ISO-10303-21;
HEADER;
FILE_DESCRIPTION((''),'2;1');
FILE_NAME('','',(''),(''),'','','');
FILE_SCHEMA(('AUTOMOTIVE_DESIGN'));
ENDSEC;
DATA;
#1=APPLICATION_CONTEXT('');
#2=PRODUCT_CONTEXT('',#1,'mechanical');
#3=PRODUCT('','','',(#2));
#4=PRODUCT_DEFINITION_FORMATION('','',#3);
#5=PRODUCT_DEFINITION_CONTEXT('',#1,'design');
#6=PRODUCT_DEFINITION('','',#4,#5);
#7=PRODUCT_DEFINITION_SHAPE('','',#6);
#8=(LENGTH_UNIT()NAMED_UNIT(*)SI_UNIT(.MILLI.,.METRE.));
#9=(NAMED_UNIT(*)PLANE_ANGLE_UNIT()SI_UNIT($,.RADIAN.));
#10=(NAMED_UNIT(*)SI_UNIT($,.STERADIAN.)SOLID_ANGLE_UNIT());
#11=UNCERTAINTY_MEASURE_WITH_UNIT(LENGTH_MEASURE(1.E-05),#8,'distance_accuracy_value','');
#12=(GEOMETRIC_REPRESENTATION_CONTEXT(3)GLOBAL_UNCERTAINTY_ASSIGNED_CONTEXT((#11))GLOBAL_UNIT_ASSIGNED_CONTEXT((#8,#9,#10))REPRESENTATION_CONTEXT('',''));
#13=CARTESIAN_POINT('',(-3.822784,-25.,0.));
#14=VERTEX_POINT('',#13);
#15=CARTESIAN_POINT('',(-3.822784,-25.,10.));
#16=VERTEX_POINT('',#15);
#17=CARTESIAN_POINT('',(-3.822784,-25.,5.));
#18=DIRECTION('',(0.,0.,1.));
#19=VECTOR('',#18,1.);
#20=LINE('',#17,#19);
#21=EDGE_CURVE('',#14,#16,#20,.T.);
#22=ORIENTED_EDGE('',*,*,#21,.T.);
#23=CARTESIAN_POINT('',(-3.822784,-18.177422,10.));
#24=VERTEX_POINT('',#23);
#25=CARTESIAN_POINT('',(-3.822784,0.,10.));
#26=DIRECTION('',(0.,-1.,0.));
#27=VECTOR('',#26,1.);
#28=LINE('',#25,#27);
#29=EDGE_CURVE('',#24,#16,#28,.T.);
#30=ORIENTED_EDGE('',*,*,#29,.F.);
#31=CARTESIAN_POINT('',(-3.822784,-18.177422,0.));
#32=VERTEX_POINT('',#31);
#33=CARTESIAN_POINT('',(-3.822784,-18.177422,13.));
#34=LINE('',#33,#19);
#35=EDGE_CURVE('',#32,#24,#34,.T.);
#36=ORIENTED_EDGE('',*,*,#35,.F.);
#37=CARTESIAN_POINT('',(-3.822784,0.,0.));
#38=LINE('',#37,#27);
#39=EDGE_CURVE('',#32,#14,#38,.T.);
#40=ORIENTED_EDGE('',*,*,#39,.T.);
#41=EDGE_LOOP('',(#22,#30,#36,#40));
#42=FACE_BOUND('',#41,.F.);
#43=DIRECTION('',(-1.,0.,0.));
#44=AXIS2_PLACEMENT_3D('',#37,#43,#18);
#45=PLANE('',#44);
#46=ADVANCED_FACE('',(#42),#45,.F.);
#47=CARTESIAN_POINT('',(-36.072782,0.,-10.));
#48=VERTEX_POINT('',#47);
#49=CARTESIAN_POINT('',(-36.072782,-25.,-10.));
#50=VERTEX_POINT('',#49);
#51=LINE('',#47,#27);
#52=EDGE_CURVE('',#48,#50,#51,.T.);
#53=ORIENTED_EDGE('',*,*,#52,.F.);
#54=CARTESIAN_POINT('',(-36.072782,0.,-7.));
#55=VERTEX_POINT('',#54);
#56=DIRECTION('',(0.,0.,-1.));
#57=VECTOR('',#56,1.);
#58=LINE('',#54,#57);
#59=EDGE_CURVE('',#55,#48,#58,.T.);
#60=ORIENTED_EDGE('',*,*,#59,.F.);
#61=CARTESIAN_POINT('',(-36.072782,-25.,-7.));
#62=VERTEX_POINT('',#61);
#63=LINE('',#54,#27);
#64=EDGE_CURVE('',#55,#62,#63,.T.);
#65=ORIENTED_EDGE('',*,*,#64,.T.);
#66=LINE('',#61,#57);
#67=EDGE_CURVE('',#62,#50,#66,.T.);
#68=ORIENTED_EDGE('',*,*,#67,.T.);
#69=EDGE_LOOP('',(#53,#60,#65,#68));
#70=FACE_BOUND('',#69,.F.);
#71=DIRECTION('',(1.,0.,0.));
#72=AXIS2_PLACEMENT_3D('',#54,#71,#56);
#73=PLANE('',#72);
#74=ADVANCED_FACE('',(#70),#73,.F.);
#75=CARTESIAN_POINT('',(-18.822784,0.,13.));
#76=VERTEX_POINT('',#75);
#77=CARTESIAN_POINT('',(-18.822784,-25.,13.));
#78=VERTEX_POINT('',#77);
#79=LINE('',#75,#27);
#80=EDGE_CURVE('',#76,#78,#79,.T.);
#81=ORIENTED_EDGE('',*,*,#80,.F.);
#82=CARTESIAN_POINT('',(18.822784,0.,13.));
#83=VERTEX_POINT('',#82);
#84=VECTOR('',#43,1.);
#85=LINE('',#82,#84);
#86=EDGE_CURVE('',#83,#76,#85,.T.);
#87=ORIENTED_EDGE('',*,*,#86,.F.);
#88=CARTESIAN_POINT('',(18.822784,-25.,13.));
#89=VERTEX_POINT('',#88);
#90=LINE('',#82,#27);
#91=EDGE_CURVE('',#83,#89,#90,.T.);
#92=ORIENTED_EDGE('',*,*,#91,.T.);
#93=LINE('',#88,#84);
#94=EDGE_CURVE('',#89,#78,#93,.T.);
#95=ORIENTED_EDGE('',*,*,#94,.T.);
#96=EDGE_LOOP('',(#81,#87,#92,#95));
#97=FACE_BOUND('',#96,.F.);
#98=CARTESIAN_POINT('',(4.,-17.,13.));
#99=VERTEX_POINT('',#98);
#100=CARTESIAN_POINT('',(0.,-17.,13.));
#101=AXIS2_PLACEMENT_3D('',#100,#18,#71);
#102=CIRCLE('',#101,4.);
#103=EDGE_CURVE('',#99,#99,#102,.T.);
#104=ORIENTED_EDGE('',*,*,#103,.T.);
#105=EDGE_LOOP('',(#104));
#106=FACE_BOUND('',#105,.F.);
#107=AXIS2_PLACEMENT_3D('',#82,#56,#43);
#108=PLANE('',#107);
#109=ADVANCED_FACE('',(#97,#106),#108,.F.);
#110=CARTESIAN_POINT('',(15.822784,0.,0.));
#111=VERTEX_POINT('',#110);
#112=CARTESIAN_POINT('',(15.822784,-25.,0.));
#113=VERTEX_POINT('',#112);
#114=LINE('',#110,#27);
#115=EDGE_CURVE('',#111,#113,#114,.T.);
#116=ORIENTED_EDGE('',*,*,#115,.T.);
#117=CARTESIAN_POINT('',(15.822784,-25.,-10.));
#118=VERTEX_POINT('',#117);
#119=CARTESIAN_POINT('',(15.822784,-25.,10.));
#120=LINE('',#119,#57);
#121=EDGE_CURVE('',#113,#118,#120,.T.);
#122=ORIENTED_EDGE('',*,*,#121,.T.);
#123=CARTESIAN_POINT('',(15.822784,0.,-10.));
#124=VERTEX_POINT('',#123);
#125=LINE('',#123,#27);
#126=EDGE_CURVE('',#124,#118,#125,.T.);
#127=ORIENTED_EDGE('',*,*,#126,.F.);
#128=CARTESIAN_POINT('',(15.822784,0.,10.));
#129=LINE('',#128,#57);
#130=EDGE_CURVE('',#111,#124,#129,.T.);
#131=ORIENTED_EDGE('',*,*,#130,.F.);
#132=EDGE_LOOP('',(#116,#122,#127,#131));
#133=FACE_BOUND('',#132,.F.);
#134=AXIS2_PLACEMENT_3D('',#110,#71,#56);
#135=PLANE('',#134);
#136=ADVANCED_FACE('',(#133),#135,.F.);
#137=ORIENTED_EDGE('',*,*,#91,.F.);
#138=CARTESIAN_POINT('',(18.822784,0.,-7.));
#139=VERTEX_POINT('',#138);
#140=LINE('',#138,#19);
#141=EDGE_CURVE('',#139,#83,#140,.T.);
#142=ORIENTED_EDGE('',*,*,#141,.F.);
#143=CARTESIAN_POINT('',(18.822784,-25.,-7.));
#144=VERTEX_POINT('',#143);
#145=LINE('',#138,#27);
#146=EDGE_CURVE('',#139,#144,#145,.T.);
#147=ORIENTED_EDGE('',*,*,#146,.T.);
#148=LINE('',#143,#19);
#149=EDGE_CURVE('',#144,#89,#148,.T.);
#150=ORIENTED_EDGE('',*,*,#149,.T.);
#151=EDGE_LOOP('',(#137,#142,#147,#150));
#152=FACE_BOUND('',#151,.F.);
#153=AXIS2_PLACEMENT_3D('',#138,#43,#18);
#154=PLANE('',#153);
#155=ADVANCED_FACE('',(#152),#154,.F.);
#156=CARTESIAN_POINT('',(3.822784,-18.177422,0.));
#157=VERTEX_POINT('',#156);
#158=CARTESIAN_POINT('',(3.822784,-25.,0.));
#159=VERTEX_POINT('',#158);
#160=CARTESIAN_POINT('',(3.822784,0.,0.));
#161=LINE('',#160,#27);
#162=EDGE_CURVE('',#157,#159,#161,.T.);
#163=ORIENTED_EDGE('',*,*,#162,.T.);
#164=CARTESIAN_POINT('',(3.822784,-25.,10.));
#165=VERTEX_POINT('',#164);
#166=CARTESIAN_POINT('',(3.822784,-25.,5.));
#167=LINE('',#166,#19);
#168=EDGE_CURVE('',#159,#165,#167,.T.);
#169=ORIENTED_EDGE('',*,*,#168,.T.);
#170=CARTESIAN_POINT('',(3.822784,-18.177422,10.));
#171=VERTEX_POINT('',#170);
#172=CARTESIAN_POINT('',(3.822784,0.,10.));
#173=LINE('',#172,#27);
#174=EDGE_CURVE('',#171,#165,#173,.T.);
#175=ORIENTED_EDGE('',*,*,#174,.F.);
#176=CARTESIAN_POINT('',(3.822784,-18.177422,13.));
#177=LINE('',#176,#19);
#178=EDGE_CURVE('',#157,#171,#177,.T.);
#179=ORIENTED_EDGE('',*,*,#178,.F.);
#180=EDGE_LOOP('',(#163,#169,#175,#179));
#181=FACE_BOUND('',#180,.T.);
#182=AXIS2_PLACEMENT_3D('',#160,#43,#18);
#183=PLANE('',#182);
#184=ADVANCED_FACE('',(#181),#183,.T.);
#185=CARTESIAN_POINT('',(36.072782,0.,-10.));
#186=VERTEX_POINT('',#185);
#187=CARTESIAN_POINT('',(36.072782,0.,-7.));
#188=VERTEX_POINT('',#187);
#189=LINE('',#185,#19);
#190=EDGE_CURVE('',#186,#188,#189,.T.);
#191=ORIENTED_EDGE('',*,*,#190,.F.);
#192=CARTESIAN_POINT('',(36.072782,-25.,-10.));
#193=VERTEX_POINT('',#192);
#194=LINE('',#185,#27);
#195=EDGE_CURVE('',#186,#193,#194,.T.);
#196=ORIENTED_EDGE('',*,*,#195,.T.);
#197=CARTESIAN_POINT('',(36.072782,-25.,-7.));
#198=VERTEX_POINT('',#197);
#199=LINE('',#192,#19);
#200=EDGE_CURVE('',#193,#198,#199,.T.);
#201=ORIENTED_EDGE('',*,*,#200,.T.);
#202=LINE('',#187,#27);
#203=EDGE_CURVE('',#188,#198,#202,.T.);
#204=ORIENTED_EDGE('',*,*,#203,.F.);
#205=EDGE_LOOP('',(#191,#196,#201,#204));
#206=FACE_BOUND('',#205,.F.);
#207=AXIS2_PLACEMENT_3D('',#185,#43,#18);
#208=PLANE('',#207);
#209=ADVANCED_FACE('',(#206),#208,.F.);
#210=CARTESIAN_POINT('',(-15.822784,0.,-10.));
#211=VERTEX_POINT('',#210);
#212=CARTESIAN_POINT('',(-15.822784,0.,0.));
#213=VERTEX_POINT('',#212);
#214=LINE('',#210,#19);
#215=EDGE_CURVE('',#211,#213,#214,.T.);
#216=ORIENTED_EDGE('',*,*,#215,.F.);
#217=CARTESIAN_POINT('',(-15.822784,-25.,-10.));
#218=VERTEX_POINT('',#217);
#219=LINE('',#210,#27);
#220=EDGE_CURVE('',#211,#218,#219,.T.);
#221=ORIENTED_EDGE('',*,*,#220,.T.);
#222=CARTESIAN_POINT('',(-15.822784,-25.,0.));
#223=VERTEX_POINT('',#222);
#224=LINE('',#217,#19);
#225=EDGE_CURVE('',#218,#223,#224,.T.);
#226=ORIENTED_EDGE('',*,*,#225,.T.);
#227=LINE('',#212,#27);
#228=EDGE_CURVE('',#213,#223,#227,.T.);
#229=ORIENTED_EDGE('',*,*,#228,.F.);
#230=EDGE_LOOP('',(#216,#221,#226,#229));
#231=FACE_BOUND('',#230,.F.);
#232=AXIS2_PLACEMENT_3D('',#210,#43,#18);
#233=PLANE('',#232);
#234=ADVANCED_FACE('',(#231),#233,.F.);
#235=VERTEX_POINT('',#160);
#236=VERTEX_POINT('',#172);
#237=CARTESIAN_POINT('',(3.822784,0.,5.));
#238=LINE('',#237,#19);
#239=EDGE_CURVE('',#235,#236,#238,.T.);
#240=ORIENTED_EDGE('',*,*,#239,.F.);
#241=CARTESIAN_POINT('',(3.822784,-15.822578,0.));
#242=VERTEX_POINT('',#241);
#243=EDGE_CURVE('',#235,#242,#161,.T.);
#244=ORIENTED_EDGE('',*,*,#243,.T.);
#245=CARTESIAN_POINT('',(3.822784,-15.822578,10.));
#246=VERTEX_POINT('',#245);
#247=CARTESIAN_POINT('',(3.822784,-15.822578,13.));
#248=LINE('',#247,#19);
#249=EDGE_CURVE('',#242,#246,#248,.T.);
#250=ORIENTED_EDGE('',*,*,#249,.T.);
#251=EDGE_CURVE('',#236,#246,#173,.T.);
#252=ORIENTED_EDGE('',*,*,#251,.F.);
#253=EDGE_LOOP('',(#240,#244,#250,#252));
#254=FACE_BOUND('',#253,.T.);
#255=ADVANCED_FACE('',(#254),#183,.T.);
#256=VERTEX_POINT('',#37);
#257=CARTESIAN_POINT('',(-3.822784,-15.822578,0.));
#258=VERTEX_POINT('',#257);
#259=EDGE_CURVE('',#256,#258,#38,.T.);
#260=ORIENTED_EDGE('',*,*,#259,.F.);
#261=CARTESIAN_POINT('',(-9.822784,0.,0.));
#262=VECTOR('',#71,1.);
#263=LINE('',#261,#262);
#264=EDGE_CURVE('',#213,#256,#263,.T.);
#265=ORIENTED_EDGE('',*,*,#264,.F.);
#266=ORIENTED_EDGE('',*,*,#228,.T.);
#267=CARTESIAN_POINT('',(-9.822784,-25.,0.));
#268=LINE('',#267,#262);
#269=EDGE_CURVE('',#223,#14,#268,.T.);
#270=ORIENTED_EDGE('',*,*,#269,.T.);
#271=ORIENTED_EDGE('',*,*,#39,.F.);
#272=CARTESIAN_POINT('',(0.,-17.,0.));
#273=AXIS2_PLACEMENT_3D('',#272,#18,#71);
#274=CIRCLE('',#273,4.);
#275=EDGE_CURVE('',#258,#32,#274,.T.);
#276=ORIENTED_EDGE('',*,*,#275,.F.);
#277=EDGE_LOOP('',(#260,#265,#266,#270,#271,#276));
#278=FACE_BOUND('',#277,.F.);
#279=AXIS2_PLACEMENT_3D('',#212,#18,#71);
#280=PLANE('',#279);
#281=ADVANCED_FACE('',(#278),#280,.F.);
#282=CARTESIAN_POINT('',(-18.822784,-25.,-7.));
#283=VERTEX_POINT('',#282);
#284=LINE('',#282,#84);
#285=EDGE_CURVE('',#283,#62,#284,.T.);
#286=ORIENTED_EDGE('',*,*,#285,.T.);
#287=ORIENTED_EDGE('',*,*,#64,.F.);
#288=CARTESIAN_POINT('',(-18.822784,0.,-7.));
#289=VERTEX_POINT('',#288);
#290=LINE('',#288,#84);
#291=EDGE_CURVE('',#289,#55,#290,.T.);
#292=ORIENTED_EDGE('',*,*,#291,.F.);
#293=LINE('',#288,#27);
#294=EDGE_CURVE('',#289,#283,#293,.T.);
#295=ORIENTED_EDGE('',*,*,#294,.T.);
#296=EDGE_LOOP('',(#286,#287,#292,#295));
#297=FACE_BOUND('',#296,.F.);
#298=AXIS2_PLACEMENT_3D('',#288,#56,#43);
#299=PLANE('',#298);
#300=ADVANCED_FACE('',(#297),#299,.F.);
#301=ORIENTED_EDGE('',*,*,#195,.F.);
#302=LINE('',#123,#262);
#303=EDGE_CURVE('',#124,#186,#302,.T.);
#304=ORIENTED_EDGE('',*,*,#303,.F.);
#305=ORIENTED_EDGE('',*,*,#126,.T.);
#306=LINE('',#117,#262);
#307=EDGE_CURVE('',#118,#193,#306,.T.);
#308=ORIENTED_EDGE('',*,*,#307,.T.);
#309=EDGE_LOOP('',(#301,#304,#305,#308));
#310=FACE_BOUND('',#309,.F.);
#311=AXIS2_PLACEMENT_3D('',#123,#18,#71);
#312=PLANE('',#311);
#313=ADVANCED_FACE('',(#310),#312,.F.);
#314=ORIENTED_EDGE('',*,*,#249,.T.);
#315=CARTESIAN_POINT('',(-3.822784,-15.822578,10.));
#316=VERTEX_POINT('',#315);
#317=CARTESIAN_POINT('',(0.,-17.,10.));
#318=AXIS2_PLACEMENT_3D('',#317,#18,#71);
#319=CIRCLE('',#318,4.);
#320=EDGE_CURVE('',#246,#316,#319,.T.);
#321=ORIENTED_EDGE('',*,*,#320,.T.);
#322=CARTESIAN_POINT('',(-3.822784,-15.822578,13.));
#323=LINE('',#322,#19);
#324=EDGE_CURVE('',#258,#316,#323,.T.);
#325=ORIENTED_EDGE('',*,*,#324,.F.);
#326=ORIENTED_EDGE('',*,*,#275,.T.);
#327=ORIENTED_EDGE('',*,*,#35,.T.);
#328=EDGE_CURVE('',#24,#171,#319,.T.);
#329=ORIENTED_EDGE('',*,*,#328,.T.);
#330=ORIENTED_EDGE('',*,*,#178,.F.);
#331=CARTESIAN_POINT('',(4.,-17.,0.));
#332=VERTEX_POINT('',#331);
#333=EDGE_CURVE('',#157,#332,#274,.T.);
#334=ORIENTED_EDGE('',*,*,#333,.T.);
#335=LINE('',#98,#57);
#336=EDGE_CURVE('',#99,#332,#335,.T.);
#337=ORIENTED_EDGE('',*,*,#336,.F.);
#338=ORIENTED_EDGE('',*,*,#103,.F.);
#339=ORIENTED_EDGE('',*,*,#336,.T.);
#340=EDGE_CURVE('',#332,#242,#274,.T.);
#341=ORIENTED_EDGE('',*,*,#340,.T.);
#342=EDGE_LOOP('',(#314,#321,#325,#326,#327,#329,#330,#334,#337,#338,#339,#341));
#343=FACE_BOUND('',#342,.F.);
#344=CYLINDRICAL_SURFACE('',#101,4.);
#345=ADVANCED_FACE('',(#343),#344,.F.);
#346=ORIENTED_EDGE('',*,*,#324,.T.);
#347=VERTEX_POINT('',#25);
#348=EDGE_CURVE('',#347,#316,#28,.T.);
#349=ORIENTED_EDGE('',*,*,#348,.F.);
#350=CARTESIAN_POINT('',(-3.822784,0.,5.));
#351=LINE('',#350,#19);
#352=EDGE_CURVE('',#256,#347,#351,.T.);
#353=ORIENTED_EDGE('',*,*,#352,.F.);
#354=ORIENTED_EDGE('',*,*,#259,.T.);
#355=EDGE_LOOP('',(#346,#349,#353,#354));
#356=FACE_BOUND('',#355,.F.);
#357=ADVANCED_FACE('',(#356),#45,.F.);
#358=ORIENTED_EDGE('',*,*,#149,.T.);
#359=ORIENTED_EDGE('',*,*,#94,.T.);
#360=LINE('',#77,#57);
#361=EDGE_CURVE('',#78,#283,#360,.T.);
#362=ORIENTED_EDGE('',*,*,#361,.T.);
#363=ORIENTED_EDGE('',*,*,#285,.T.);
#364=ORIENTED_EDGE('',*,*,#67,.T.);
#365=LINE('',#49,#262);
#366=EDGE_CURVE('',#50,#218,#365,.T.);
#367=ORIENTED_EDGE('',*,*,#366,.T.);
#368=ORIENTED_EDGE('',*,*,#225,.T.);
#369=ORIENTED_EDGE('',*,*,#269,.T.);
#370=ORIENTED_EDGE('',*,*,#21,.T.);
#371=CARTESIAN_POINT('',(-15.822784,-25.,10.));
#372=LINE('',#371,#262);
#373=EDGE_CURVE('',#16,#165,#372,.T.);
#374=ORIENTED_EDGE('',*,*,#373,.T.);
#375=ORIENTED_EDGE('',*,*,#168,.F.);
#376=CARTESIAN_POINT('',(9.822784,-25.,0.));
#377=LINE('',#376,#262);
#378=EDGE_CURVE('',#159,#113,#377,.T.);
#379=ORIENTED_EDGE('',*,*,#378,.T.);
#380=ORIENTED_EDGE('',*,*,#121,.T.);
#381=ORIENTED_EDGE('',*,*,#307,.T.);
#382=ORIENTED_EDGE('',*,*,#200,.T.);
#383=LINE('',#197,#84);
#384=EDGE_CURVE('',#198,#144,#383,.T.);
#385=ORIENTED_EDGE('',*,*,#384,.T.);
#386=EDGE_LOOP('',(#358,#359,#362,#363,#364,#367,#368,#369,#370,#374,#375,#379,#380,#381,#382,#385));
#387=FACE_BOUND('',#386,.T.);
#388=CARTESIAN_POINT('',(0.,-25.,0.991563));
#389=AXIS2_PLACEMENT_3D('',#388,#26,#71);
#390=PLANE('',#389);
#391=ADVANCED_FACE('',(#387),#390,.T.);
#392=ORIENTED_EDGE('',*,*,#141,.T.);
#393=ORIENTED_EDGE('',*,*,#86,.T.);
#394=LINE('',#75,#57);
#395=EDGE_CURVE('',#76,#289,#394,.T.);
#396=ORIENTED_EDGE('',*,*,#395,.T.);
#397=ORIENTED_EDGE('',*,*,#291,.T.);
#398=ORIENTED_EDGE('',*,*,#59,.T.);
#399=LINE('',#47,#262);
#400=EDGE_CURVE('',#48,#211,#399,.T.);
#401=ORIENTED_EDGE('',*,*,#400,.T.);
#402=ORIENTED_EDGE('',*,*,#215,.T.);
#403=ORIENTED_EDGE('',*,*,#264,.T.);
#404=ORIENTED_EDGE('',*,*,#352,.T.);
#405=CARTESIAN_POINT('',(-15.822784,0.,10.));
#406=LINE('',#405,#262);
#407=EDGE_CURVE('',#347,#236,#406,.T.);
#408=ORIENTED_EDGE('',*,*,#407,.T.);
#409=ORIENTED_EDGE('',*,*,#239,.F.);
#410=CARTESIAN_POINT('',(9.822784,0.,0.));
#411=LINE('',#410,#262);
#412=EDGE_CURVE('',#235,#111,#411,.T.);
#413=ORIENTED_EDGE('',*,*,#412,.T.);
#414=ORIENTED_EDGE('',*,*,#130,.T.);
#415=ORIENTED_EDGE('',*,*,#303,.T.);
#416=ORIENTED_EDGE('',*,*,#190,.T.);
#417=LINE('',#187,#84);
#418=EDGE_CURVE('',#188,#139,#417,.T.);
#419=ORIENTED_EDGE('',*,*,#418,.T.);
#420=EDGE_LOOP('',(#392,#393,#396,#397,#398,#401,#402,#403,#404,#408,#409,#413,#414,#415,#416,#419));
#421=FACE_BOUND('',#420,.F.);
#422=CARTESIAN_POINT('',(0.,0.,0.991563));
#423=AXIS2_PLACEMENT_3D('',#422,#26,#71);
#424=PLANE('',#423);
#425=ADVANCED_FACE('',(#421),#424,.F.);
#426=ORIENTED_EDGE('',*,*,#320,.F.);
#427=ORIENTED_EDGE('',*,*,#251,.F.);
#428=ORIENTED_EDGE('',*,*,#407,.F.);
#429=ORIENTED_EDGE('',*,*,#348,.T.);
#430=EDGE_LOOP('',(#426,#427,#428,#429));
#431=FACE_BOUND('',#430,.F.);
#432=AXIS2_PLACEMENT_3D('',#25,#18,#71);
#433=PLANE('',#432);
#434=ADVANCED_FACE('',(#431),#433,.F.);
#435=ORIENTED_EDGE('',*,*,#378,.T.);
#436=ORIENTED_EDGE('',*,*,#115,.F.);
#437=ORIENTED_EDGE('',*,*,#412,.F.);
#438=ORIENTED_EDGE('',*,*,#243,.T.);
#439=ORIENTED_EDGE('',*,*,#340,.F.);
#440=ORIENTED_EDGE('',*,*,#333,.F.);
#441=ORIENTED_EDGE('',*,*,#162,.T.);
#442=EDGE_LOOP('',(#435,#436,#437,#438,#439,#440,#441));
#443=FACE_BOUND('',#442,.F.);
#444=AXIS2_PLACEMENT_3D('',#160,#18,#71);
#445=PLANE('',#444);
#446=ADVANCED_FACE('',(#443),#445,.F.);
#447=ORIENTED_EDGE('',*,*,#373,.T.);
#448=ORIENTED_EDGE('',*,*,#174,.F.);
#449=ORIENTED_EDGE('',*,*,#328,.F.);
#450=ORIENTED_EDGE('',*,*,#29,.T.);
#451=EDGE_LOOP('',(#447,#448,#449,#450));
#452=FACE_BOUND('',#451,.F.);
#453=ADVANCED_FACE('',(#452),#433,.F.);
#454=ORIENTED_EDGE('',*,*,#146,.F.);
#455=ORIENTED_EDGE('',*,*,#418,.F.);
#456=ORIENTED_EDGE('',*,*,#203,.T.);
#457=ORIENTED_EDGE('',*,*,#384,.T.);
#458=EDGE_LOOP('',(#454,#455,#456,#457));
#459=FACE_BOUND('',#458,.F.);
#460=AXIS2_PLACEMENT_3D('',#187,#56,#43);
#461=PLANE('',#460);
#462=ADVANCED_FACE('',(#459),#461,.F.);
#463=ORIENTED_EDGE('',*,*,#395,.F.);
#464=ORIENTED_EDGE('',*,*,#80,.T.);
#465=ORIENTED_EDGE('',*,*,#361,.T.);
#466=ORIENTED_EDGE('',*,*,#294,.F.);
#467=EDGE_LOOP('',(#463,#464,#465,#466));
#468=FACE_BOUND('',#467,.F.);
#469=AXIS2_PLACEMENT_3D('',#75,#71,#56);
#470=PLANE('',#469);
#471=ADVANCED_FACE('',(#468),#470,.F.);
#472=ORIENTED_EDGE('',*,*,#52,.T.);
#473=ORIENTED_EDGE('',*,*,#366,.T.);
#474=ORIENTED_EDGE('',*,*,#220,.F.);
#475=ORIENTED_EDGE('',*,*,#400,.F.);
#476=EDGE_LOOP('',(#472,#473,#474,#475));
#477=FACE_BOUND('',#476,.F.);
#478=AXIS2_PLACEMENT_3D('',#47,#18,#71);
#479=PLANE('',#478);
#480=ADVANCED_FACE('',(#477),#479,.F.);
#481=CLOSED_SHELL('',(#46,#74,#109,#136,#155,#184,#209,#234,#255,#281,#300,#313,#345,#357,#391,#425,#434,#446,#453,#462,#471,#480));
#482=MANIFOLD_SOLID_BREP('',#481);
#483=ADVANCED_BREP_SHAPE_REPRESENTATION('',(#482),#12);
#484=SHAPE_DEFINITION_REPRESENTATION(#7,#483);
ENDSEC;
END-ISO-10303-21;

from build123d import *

# Parameters (mm, degrees)
F0_W     = 12
F0_H     = 10
F1_DEPTH = 25
F2_R     = 4
F3_DEPTH = 23.001


with BuildPart() as f1:
    # F0 (on Front) → F1 (new body)
    with BuildSketch(Plane.XZ):
        Polygon((3.822784, 10), (15.822784, 10), (15.822784, 0), (15.822784, -10), (36.072782, -10), (36.072782, -7), (18.822784, -7), (18.822784, 13), (0, 13), (-18.822784, 13), (-18.822784, -7), (-36.072782, -7), (-36.072782, -10), (-15.822784, -10), (-15.822784, 0), (-15.822784, 10), (-3.822784, 10), align=None)
        with Locations((-9.822784, 5)):
            Rectangle(F0_W, F0_H)
        with Locations((9.822784, 5)):
            Rectangle(F0_W, F0_H)
    extrude(amount=F1_DEPTH)

    # F2 (on face) → F3 (cut, through all)
    with BuildSketch(Plane.XY.offset(13)):
        with Locations((0, -17)):
            Circle(F2_R)
    extrude(amount=-F3_DEPTH, mode=Mode.SUBTRACT)


solid = f1.part
